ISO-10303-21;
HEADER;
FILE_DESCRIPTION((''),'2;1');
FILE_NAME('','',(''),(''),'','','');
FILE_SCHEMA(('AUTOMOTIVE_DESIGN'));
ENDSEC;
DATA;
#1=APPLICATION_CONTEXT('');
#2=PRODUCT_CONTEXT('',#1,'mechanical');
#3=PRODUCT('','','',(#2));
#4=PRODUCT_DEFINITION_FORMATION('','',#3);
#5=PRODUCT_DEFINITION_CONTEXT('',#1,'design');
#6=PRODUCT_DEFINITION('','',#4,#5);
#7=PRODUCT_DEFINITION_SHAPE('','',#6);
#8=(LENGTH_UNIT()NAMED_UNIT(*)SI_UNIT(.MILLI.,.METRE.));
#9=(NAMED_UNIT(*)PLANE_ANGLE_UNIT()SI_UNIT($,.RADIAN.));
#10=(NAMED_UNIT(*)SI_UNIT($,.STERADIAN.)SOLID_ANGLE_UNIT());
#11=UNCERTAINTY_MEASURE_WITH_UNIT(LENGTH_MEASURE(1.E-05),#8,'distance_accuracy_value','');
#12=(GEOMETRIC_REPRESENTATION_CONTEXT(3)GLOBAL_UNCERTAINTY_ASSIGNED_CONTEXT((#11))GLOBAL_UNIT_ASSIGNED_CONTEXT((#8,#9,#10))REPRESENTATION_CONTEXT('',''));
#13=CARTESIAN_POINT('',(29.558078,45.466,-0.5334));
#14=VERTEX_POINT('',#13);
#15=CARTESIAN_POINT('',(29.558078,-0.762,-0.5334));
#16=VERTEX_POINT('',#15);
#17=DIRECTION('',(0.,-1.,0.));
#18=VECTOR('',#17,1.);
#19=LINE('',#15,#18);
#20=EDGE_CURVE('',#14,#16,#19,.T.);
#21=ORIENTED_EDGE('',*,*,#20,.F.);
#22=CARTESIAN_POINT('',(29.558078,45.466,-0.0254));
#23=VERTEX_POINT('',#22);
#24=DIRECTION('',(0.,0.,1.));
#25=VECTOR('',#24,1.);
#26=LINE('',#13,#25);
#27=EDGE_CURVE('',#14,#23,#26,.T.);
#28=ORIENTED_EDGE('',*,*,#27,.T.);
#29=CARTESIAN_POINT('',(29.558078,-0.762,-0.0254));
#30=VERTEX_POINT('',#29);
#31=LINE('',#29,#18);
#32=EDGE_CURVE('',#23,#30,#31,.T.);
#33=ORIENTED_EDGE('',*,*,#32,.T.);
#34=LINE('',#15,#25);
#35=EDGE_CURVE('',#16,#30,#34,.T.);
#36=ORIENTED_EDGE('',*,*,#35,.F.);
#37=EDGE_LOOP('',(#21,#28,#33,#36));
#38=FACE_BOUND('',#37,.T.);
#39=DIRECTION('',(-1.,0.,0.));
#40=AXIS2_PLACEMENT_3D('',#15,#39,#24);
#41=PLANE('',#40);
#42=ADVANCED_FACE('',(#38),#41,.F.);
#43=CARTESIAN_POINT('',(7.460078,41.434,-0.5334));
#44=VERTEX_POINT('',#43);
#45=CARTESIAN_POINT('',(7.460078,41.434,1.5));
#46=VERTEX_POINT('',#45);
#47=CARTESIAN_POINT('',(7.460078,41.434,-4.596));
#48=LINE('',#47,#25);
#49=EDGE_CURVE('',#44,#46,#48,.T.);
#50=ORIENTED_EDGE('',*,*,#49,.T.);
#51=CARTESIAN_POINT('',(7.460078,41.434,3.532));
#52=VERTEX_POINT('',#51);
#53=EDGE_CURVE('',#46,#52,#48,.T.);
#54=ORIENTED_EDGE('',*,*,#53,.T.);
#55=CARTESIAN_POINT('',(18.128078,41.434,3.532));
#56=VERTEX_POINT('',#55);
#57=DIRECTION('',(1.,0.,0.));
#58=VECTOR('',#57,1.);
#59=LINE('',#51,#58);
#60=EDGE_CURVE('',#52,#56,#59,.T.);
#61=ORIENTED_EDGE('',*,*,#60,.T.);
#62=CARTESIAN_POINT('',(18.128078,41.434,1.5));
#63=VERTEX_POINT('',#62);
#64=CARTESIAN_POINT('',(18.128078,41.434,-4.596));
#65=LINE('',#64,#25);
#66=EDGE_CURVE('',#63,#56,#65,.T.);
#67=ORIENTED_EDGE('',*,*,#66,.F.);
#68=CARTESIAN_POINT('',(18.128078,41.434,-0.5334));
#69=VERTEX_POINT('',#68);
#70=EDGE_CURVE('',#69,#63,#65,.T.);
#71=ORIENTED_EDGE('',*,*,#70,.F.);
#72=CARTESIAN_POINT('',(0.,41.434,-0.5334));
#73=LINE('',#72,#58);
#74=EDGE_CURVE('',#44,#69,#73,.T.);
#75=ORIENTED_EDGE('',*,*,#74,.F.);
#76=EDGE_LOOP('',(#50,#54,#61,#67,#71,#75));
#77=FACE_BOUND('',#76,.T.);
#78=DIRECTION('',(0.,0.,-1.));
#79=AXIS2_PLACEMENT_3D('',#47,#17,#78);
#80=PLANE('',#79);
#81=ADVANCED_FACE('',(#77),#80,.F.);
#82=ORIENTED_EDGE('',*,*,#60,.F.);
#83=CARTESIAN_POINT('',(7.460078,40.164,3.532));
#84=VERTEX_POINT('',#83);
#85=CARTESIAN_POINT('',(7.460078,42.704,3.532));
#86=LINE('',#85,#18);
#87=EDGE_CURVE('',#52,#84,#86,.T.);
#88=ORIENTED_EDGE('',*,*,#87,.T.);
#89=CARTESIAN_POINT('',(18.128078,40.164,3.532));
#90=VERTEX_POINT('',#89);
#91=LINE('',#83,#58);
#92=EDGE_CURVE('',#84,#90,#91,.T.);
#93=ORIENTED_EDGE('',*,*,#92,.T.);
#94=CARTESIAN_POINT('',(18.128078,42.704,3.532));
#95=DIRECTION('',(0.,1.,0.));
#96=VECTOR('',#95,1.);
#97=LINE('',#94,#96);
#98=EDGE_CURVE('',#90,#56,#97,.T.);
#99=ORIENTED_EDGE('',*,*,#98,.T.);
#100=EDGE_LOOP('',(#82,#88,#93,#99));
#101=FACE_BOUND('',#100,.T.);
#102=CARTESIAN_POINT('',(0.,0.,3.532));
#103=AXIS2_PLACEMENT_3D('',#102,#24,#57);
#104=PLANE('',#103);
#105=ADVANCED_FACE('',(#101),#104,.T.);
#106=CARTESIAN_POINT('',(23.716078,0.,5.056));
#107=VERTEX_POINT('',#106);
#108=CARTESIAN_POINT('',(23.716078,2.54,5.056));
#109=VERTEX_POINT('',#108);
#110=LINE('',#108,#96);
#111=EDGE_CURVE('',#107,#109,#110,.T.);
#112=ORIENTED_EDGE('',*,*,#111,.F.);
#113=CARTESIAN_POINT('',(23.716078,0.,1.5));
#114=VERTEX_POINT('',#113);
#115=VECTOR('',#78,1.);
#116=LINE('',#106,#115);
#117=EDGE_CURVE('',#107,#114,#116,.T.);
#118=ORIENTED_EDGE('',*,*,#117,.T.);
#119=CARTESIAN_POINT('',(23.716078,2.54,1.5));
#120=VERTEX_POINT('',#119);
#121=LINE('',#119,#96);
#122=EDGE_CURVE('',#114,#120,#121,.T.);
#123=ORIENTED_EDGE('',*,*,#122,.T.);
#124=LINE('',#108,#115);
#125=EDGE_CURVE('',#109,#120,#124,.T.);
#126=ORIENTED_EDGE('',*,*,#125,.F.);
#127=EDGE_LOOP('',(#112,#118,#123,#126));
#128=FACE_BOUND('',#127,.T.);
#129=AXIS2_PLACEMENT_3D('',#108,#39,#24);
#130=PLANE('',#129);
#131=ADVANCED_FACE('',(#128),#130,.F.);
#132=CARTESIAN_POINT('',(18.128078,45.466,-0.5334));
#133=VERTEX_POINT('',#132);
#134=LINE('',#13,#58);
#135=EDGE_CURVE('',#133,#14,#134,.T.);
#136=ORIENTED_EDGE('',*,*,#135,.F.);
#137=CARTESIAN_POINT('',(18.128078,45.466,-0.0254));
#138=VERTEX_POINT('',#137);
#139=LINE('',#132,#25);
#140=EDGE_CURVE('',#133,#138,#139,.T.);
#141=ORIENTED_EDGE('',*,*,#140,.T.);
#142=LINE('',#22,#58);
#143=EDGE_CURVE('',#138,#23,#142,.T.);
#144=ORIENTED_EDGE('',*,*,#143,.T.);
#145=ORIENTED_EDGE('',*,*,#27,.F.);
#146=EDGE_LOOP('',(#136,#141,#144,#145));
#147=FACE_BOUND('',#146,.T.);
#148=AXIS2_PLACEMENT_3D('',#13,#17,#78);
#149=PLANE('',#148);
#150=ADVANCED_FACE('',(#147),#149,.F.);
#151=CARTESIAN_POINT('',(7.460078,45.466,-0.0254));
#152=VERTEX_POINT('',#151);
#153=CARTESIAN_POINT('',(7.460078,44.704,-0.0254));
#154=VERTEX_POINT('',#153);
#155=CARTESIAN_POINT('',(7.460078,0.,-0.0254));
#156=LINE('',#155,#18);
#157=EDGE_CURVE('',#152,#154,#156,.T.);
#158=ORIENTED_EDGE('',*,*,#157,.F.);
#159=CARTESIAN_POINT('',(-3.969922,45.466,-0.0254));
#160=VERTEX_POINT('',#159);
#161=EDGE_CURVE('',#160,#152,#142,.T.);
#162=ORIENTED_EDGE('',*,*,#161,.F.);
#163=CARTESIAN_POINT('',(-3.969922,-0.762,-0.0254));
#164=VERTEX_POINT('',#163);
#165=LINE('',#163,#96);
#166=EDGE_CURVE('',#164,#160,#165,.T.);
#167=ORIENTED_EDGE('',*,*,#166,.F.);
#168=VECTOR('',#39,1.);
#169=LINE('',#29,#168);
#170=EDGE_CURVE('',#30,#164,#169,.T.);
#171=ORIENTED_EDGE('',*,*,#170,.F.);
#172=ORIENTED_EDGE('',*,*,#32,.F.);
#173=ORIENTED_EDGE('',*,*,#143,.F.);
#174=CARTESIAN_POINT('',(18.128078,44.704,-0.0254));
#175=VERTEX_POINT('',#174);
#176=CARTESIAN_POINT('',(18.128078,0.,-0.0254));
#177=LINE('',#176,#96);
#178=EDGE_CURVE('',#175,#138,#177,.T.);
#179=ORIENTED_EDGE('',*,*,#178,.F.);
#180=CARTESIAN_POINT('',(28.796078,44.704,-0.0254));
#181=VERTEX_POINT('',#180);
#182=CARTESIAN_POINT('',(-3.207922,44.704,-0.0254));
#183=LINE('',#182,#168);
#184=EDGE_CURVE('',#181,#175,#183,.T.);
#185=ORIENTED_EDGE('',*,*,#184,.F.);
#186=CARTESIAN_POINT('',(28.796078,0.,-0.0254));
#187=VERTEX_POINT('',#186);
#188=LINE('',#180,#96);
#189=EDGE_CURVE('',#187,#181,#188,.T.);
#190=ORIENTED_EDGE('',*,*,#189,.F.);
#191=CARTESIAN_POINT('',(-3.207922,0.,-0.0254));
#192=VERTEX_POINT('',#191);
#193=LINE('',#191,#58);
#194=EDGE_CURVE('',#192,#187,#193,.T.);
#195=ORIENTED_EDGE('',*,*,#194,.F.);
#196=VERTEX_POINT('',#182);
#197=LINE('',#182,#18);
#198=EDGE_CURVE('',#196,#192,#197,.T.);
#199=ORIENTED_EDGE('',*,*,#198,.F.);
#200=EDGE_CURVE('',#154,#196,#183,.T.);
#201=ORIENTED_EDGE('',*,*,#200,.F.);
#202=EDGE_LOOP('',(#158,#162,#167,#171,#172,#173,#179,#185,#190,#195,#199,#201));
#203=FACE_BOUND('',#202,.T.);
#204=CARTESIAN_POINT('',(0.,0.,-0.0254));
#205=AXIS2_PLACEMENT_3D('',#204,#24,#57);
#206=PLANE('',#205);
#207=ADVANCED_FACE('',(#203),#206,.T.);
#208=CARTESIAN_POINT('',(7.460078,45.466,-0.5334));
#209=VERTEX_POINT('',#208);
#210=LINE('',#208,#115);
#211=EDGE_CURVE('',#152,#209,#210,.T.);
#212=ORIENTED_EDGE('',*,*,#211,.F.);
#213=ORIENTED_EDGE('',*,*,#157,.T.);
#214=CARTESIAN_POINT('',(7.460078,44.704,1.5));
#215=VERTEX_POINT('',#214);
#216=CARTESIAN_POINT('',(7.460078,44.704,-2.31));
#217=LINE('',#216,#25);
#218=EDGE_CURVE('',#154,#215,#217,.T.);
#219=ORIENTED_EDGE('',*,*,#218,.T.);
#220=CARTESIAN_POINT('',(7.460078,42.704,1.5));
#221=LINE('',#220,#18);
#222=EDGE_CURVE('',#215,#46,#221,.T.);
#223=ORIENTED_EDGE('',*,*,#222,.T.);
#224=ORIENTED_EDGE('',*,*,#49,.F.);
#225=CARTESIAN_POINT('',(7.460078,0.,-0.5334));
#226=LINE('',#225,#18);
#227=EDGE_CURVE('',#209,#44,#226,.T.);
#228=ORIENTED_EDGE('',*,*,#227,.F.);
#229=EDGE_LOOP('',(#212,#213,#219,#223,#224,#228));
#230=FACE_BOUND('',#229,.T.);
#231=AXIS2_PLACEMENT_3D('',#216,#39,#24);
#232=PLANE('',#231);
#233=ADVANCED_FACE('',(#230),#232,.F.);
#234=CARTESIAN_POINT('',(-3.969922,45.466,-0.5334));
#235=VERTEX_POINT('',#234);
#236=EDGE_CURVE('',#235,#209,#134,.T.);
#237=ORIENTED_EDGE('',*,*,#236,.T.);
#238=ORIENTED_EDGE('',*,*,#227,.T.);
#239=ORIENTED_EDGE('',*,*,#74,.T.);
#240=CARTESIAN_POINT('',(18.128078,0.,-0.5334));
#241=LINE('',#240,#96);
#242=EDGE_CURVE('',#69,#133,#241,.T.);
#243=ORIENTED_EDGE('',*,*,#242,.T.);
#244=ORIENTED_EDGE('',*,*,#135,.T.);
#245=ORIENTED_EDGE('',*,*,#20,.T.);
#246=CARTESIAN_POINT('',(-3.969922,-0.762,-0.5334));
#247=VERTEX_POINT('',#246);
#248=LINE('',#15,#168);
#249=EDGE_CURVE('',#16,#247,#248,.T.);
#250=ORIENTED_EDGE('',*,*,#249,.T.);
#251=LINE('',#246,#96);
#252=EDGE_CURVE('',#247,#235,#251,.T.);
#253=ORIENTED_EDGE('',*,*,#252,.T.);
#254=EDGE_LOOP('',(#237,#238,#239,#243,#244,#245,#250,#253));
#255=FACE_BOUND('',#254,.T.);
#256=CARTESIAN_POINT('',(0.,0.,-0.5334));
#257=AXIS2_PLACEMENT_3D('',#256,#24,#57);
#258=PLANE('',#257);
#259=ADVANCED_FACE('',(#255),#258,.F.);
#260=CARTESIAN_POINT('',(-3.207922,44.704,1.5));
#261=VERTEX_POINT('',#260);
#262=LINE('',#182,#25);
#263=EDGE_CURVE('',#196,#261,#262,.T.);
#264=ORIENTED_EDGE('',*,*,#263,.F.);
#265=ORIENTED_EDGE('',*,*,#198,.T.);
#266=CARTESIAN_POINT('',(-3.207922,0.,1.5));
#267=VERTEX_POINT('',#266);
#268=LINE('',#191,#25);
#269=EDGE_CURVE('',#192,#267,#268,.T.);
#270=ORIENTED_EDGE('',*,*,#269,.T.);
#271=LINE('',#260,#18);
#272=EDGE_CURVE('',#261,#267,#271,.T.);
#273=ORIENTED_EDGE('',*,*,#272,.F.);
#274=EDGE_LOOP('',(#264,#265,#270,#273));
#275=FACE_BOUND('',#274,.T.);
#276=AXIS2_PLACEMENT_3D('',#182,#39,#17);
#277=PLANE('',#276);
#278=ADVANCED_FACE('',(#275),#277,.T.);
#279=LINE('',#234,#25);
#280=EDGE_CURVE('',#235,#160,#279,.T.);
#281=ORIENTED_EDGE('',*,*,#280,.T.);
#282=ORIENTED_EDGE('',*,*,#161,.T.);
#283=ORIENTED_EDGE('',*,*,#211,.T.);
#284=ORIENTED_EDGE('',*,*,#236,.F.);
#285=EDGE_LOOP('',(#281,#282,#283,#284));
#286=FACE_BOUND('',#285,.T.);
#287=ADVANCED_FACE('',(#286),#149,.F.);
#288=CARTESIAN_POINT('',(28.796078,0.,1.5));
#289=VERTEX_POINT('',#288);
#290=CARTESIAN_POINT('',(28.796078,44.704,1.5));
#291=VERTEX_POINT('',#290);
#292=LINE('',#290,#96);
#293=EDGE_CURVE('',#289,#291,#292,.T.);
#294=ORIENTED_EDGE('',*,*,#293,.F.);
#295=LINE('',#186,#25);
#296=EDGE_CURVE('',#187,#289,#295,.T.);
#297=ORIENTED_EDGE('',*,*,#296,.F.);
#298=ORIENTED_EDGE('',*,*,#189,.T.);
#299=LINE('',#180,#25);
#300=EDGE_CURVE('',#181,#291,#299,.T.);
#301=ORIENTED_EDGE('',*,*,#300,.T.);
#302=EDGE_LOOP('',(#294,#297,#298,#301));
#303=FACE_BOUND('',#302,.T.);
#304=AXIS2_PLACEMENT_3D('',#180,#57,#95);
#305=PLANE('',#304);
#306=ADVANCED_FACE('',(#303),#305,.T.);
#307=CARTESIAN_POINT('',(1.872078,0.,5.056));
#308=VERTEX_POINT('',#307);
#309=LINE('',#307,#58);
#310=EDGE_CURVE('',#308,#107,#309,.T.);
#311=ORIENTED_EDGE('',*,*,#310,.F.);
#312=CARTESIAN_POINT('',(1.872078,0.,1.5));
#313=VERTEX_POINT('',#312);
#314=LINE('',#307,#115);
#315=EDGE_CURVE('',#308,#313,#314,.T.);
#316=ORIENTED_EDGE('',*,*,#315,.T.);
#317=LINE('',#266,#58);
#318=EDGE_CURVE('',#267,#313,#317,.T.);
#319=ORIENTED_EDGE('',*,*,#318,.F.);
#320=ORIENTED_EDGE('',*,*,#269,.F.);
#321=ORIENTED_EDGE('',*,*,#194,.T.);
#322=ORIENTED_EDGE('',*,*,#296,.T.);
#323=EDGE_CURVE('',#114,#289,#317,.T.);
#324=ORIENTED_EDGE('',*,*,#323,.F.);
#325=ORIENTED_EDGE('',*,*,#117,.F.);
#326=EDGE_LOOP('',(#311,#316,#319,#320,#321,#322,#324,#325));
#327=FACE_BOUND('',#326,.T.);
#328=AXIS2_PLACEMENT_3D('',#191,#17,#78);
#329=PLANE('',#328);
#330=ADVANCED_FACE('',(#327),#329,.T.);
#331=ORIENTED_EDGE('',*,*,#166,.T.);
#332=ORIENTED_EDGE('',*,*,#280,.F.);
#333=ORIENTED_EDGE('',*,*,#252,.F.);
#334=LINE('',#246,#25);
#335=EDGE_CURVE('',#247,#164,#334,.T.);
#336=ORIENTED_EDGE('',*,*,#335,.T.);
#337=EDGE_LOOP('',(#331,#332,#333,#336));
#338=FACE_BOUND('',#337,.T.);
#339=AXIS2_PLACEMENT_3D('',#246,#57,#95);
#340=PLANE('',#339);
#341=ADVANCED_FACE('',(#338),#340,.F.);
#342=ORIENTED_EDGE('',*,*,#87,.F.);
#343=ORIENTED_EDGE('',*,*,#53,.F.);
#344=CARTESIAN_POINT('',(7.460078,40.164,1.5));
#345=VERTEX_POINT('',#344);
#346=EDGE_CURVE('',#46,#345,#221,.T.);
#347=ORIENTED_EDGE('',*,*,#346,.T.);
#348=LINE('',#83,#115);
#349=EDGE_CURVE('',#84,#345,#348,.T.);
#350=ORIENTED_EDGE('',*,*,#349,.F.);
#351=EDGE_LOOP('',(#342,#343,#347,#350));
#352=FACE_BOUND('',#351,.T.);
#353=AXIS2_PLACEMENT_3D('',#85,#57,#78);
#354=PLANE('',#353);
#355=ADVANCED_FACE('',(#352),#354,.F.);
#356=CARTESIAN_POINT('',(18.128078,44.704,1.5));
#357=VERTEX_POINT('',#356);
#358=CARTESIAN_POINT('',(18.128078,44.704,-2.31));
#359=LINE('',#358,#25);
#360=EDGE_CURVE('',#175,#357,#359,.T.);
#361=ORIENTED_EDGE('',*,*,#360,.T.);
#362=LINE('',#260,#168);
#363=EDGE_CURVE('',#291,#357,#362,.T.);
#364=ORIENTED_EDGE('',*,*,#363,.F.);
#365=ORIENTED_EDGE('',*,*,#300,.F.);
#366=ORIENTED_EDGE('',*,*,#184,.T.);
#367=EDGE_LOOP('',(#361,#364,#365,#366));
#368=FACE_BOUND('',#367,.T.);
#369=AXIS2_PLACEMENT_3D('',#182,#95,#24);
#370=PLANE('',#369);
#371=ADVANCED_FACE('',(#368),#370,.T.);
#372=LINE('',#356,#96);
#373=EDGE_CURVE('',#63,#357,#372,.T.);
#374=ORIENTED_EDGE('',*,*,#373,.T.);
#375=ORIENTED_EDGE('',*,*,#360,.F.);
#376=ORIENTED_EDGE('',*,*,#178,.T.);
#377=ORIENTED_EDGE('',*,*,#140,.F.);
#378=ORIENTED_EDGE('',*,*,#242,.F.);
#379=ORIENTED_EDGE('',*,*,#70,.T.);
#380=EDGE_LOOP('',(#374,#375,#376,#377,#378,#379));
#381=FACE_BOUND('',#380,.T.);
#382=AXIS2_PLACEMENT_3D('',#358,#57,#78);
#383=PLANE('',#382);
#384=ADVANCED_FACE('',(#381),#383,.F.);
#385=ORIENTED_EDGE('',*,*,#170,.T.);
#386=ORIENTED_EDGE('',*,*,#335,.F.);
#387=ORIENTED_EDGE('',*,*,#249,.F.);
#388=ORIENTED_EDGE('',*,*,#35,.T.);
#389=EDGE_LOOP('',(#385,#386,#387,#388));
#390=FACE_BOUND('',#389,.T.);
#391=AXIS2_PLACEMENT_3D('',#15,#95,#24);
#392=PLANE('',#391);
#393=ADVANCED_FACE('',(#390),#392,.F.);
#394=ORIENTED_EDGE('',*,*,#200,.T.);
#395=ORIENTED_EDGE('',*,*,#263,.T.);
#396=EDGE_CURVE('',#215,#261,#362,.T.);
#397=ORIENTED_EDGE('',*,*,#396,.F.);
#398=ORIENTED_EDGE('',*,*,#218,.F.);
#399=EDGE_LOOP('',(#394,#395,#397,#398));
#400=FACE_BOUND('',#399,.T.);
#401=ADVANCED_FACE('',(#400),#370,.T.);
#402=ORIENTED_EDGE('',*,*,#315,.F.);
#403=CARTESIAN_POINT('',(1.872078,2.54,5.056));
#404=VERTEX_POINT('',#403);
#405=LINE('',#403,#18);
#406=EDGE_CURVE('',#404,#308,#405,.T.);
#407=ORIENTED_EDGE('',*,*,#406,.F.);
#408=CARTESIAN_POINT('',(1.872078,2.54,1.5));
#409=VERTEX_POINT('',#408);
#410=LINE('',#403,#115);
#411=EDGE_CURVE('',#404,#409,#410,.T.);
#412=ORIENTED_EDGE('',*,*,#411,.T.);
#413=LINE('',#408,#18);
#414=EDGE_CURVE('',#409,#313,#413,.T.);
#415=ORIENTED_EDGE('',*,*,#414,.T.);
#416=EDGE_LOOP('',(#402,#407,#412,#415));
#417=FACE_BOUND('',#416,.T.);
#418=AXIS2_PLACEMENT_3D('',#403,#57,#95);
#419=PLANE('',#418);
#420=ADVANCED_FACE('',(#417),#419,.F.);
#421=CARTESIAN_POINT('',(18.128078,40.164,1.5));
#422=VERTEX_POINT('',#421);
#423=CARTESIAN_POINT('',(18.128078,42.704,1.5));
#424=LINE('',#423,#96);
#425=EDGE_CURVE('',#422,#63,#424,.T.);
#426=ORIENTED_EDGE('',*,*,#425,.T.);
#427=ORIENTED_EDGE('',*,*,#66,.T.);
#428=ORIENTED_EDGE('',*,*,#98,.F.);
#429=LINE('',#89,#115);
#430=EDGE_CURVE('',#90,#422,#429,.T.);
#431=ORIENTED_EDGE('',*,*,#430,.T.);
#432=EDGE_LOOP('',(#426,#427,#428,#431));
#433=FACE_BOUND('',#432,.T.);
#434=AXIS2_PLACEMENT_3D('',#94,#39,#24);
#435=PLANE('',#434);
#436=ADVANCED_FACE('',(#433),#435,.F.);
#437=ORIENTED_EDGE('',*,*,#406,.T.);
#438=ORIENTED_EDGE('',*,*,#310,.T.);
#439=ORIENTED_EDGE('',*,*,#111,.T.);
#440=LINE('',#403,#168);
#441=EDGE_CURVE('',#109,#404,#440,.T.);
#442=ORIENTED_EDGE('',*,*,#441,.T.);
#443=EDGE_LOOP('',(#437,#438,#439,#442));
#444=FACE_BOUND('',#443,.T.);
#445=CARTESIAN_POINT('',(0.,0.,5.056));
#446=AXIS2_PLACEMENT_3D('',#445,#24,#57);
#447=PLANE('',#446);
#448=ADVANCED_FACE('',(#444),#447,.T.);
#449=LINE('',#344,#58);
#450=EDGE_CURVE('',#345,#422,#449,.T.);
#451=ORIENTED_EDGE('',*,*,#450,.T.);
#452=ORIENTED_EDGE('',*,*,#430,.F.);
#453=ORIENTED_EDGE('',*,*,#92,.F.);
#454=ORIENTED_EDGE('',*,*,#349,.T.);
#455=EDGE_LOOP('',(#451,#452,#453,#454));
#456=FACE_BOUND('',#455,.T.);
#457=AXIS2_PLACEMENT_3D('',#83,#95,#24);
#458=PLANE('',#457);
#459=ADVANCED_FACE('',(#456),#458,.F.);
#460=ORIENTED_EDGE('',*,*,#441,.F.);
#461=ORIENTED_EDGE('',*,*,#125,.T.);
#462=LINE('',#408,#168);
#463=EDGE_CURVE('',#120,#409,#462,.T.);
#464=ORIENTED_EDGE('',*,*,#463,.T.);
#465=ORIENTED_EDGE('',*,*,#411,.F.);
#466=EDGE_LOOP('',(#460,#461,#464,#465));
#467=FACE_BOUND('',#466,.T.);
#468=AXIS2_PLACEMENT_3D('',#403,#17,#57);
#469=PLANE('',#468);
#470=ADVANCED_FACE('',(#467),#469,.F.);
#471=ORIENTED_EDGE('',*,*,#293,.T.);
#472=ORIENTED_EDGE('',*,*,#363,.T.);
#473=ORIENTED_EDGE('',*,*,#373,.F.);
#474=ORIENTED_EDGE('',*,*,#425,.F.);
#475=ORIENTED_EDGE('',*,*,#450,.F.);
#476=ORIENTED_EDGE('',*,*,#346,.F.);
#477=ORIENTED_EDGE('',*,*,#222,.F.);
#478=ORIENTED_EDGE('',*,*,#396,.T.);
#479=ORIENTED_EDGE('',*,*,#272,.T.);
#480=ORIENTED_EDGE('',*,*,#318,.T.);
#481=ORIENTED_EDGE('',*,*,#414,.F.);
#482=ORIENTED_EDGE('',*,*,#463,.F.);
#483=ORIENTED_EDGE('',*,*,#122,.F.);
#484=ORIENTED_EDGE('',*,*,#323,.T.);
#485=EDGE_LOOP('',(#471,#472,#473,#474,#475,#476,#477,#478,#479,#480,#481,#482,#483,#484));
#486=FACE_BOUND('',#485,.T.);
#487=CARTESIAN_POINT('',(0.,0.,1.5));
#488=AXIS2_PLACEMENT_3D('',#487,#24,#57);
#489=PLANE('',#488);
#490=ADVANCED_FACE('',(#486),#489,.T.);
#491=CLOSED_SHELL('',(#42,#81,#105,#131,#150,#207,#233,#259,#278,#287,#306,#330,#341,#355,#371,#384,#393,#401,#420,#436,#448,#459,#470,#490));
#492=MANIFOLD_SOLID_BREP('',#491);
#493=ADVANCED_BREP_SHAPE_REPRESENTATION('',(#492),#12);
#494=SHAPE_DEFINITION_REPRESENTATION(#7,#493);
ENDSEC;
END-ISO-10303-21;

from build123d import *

# Parameters (mm, degrees)
SKETCH1_W                = 32.004
SKETCH1_H                = 44.704
BOSS_EXTRUDE1_DEPTH      = 1.5
BOSS_EXTRUDE1_DEPTH_BACK = 0.0254
SKETCH2_W                = 10.668
SKETCH2_H                = 2.54
BOSS_EXTRUDE2_DEPTH      = 2.032
SKETCH4_W                = 10.668
SKETCH4_H                = 1.746
CUT_EXTRUDE1_DEPTH       = 3.81
SKETCH5_W                = 21.844
SKETCH5_H                = 2.54
BOSS_EXTRUDE3_DEPTH      = 3.556
SKETCH10_W               = 33.528
SKETCH10_H               = 46.228
BOSS_EXTRUDE5_DEPTH      = 0.508
SKETCH13_W               = 10.668
SKETCH13_H               = 5.08
CUT_EXTRUDE2_DEPTH       = 8.128


with BuildPart() as part:
    # Sketch1 → Boss-Extrude1 (new body, two sides)
    with BuildSketch(Plane.XY) as boss_extrude1_sk:
        with Locations((12.794077502, 22.352)):
            Rectangle(SKETCH1_W, SKETCH1_H)
    extrude(amount=BOSS_EXTRUDE1_DEPTH)
    extrude(boss_extrude1_sk.sketch, amount=-BOSS_EXTRUDE1_DEPTH_BACK)

    # Sketch2 → Boss-Extrude2 (add)
    with BuildSketch(Plane.XY.offset(1.5)):
        with Locations((12.794077502, 41.434)):
            Rectangle(SKETCH2_W, SKETCH2_H)
    extrude(amount=BOSS_EXTRUDE2_DEPTH)

    # Sketch4 → Cut-Extrude1 (cut)
    with BuildSketch(Plane.XY.offset(1.5)):
        with Locations((12.794077502, 43.831)):
            Rectangle(SKETCH4_W, SKETCH4_H)
    extrude(amount=-CUT_EXTRUDE1_DEPTH, mode=Mode.SUBTRACT)

    # Sketch5 → Boss-Extrude3 (add)
    with BuildSketch(Plane.XY.offset(1.5)):
        with Locations((12.794077502, 1.27)):
            Rectangle(SKETCH5_W, SKETCH5_H)
    extrude(amount=BOSS_EXTRUDE3_DEPTH)

    # Sketch10 → Boss-Extrude5 (add)
    with BuildSketch(Plane(origin=(0, 0, -0.0254), x_dir=(-1, 0, 0), z_dir=(0, 0, -1))):
        with Locations((-12.794077502, 22.352)):
            Rectangle(SKETCH10_W, SKETCH10_H)
    extrude(amount=BOSS_EXTRUDE5_DEPTH)

    # Sketch13 → Cut-Extrude2 (cut)
    with BuildSketch(Plane.XY.offset(3.532)):
        with Locations((12.794077502, 43.974)):
            Rectangle(SKETCH13_W, SKETCH13_H)
    extrude(amount=-CUT_EXTRUDE2_DEPTH, mode=Mode.SUBTRACT)


solid = part.part
